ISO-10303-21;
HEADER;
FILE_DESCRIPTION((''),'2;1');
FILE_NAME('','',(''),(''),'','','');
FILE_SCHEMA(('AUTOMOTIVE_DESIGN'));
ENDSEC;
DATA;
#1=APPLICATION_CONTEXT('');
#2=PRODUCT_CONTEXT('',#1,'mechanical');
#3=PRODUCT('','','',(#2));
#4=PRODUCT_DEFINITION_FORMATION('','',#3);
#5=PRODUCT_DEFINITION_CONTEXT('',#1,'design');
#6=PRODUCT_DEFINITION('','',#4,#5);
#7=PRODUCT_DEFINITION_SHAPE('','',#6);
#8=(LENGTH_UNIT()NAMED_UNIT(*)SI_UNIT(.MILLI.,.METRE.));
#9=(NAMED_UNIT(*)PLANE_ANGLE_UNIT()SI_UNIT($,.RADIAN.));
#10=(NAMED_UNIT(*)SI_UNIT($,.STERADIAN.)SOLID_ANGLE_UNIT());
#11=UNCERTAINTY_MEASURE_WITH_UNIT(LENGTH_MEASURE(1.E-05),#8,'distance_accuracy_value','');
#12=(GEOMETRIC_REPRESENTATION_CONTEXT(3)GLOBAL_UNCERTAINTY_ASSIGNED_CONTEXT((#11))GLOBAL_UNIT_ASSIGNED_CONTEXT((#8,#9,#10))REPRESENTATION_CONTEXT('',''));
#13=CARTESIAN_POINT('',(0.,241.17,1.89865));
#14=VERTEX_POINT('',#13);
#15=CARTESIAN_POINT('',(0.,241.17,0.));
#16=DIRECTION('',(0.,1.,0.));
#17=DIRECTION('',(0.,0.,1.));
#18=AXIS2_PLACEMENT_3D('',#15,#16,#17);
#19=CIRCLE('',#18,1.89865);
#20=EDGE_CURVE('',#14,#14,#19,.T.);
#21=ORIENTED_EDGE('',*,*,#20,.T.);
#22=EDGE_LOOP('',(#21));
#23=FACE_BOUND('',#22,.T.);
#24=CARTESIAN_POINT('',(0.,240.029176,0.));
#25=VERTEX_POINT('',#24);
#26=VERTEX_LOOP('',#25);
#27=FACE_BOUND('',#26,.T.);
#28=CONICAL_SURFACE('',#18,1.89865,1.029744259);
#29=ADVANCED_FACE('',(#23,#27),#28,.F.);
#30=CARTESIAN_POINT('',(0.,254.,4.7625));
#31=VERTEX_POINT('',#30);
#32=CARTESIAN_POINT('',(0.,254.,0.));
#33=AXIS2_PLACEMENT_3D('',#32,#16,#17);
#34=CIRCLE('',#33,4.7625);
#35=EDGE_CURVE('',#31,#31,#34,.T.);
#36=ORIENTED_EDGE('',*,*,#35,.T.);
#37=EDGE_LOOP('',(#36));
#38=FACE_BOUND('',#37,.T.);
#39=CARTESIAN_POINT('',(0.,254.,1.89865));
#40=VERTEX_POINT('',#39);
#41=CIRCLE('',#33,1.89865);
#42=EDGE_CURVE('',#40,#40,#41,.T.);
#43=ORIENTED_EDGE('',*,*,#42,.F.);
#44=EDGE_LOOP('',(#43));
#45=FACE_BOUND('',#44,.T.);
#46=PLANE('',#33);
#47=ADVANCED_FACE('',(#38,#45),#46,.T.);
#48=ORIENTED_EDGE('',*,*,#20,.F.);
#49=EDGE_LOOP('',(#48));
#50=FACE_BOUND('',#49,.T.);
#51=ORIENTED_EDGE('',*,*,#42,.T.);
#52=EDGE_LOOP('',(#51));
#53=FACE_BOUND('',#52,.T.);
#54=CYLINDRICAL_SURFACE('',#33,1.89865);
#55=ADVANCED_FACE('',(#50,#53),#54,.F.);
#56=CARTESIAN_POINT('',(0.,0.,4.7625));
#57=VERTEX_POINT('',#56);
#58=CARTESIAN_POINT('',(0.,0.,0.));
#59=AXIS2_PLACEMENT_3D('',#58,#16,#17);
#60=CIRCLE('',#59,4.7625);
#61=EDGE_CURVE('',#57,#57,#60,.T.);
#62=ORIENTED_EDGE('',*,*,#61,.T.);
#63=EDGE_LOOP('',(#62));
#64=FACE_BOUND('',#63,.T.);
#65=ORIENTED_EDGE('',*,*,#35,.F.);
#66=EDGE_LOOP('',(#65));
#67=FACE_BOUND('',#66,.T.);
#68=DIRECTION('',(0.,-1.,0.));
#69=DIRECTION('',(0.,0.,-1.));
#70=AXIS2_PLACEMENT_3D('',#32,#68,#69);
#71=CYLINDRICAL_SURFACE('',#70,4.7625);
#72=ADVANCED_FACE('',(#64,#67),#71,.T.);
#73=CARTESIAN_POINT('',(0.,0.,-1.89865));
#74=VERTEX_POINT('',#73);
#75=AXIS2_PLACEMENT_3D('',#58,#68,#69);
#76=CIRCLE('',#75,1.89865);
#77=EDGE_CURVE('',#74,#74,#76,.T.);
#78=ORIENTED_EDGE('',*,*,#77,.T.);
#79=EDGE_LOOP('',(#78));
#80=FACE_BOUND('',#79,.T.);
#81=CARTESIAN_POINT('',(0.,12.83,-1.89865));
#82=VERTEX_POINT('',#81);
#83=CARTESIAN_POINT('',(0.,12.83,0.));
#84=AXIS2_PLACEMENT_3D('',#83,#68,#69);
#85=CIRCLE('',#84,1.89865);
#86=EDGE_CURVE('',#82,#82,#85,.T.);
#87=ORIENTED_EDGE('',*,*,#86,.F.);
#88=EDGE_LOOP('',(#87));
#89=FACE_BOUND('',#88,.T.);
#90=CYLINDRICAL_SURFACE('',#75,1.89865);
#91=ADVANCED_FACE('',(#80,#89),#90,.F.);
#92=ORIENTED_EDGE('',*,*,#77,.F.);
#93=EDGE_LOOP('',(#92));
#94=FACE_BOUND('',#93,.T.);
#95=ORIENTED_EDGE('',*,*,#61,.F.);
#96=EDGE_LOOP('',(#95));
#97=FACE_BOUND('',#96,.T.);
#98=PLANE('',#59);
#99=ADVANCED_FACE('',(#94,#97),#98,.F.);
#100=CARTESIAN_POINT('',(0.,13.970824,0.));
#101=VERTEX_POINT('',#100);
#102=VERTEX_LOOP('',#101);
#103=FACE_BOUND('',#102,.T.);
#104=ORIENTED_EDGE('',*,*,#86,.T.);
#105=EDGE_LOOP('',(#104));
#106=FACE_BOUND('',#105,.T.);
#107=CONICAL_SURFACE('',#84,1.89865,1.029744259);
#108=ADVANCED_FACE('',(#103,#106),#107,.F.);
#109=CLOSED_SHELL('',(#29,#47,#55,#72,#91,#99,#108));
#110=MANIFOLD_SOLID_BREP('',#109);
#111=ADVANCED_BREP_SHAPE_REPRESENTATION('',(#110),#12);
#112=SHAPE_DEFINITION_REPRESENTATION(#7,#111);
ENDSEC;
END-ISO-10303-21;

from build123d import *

# Parameters (mm, degrees)
SKETCH1_R                            = 4.7625
BOSS_EXTRUDE1_DEPTH                  = 254
F_10_24_TAPPED_HOLE1_D               = 3.7973
F_10_24_TAPPED_HOLE1_DEPTH           = 12.83
F_10_24_TAPPED_HOLE1_TIP             = 1.140824014
F_10_24_TAPPED_HOLE1_ON_FACE_2_D     = 3.7973
F_10_24_TAPPED_HOLE1_ON_FACE_2_DEPTH = 12.83
F_10_24_TAPPED_HOLE1_ON_FACE_2_TIP   = 1.140824014


with BuildPart() as part:
    # Sketch1 → Boss-Extrude1 (new body)
    with BuildSketch(Plane(origin=(0, 0, 0), x_dir=(1, 0, 0), z_dir=(0, 1, 0))):
        with Locations(Location((0, 0, 0), (0, 0, 270))):
            Circle(SKETCH1_R)
    extrude(amount=BOSS_EXTRUDE1_DEPTH)

    # #10-24 Tapped Hole1
    with Locations(Plane.ZX.offset(254)):
        with Locations((0, 0)):
            Hole(F_10_24_TAPPED_HOLE1_D / 2, depth=F_10_24_TAPPED_HOLE1_DEPTH)
            with Locations((0, 0, -(F_10_24_TAPPED_HOLE1_DEPTH + F_10_24_TAPPED_HOLE1_TIP / 2))):  # 118° drill point
                Cone(0, F_10_24_TAPPED_HOLE1_D / 2, F_10_24_TAPPED_HOLE1_TIP, mode=Mode.SUBTRACT)

    # #10-24 Tapped Hole1 on face 2
    with Locations(Plane(origin=(0, 0, 0), x_dir=(0, 0, -1), z_dir=(0, -1, 0))):
        with Locations((0, 0)):
            Hole(F_10_24_TAPPED_HOLE1_ON_FACE_2_D / 2, depth=F_10_24_TAPPED_HOLE1_ON_FACE_2_DEPTH)
            with Locations((0, 0, -(F_10_24_TAPPED_HOLE1_ON_FACE_2_DEPTH + F_10_24_TAPPED_HOLE1_ON_FACE_2_TIP / 2))):  # 118° drill point
                Cone(0, F_10_24_TAPPED_HOLE1_ON_FACE_2_D / 2, F_10_24_TAPPED_HOLE1_ON_FACE_2_TIP, mode=Mode.SUBTRACT)


solid = part.part
